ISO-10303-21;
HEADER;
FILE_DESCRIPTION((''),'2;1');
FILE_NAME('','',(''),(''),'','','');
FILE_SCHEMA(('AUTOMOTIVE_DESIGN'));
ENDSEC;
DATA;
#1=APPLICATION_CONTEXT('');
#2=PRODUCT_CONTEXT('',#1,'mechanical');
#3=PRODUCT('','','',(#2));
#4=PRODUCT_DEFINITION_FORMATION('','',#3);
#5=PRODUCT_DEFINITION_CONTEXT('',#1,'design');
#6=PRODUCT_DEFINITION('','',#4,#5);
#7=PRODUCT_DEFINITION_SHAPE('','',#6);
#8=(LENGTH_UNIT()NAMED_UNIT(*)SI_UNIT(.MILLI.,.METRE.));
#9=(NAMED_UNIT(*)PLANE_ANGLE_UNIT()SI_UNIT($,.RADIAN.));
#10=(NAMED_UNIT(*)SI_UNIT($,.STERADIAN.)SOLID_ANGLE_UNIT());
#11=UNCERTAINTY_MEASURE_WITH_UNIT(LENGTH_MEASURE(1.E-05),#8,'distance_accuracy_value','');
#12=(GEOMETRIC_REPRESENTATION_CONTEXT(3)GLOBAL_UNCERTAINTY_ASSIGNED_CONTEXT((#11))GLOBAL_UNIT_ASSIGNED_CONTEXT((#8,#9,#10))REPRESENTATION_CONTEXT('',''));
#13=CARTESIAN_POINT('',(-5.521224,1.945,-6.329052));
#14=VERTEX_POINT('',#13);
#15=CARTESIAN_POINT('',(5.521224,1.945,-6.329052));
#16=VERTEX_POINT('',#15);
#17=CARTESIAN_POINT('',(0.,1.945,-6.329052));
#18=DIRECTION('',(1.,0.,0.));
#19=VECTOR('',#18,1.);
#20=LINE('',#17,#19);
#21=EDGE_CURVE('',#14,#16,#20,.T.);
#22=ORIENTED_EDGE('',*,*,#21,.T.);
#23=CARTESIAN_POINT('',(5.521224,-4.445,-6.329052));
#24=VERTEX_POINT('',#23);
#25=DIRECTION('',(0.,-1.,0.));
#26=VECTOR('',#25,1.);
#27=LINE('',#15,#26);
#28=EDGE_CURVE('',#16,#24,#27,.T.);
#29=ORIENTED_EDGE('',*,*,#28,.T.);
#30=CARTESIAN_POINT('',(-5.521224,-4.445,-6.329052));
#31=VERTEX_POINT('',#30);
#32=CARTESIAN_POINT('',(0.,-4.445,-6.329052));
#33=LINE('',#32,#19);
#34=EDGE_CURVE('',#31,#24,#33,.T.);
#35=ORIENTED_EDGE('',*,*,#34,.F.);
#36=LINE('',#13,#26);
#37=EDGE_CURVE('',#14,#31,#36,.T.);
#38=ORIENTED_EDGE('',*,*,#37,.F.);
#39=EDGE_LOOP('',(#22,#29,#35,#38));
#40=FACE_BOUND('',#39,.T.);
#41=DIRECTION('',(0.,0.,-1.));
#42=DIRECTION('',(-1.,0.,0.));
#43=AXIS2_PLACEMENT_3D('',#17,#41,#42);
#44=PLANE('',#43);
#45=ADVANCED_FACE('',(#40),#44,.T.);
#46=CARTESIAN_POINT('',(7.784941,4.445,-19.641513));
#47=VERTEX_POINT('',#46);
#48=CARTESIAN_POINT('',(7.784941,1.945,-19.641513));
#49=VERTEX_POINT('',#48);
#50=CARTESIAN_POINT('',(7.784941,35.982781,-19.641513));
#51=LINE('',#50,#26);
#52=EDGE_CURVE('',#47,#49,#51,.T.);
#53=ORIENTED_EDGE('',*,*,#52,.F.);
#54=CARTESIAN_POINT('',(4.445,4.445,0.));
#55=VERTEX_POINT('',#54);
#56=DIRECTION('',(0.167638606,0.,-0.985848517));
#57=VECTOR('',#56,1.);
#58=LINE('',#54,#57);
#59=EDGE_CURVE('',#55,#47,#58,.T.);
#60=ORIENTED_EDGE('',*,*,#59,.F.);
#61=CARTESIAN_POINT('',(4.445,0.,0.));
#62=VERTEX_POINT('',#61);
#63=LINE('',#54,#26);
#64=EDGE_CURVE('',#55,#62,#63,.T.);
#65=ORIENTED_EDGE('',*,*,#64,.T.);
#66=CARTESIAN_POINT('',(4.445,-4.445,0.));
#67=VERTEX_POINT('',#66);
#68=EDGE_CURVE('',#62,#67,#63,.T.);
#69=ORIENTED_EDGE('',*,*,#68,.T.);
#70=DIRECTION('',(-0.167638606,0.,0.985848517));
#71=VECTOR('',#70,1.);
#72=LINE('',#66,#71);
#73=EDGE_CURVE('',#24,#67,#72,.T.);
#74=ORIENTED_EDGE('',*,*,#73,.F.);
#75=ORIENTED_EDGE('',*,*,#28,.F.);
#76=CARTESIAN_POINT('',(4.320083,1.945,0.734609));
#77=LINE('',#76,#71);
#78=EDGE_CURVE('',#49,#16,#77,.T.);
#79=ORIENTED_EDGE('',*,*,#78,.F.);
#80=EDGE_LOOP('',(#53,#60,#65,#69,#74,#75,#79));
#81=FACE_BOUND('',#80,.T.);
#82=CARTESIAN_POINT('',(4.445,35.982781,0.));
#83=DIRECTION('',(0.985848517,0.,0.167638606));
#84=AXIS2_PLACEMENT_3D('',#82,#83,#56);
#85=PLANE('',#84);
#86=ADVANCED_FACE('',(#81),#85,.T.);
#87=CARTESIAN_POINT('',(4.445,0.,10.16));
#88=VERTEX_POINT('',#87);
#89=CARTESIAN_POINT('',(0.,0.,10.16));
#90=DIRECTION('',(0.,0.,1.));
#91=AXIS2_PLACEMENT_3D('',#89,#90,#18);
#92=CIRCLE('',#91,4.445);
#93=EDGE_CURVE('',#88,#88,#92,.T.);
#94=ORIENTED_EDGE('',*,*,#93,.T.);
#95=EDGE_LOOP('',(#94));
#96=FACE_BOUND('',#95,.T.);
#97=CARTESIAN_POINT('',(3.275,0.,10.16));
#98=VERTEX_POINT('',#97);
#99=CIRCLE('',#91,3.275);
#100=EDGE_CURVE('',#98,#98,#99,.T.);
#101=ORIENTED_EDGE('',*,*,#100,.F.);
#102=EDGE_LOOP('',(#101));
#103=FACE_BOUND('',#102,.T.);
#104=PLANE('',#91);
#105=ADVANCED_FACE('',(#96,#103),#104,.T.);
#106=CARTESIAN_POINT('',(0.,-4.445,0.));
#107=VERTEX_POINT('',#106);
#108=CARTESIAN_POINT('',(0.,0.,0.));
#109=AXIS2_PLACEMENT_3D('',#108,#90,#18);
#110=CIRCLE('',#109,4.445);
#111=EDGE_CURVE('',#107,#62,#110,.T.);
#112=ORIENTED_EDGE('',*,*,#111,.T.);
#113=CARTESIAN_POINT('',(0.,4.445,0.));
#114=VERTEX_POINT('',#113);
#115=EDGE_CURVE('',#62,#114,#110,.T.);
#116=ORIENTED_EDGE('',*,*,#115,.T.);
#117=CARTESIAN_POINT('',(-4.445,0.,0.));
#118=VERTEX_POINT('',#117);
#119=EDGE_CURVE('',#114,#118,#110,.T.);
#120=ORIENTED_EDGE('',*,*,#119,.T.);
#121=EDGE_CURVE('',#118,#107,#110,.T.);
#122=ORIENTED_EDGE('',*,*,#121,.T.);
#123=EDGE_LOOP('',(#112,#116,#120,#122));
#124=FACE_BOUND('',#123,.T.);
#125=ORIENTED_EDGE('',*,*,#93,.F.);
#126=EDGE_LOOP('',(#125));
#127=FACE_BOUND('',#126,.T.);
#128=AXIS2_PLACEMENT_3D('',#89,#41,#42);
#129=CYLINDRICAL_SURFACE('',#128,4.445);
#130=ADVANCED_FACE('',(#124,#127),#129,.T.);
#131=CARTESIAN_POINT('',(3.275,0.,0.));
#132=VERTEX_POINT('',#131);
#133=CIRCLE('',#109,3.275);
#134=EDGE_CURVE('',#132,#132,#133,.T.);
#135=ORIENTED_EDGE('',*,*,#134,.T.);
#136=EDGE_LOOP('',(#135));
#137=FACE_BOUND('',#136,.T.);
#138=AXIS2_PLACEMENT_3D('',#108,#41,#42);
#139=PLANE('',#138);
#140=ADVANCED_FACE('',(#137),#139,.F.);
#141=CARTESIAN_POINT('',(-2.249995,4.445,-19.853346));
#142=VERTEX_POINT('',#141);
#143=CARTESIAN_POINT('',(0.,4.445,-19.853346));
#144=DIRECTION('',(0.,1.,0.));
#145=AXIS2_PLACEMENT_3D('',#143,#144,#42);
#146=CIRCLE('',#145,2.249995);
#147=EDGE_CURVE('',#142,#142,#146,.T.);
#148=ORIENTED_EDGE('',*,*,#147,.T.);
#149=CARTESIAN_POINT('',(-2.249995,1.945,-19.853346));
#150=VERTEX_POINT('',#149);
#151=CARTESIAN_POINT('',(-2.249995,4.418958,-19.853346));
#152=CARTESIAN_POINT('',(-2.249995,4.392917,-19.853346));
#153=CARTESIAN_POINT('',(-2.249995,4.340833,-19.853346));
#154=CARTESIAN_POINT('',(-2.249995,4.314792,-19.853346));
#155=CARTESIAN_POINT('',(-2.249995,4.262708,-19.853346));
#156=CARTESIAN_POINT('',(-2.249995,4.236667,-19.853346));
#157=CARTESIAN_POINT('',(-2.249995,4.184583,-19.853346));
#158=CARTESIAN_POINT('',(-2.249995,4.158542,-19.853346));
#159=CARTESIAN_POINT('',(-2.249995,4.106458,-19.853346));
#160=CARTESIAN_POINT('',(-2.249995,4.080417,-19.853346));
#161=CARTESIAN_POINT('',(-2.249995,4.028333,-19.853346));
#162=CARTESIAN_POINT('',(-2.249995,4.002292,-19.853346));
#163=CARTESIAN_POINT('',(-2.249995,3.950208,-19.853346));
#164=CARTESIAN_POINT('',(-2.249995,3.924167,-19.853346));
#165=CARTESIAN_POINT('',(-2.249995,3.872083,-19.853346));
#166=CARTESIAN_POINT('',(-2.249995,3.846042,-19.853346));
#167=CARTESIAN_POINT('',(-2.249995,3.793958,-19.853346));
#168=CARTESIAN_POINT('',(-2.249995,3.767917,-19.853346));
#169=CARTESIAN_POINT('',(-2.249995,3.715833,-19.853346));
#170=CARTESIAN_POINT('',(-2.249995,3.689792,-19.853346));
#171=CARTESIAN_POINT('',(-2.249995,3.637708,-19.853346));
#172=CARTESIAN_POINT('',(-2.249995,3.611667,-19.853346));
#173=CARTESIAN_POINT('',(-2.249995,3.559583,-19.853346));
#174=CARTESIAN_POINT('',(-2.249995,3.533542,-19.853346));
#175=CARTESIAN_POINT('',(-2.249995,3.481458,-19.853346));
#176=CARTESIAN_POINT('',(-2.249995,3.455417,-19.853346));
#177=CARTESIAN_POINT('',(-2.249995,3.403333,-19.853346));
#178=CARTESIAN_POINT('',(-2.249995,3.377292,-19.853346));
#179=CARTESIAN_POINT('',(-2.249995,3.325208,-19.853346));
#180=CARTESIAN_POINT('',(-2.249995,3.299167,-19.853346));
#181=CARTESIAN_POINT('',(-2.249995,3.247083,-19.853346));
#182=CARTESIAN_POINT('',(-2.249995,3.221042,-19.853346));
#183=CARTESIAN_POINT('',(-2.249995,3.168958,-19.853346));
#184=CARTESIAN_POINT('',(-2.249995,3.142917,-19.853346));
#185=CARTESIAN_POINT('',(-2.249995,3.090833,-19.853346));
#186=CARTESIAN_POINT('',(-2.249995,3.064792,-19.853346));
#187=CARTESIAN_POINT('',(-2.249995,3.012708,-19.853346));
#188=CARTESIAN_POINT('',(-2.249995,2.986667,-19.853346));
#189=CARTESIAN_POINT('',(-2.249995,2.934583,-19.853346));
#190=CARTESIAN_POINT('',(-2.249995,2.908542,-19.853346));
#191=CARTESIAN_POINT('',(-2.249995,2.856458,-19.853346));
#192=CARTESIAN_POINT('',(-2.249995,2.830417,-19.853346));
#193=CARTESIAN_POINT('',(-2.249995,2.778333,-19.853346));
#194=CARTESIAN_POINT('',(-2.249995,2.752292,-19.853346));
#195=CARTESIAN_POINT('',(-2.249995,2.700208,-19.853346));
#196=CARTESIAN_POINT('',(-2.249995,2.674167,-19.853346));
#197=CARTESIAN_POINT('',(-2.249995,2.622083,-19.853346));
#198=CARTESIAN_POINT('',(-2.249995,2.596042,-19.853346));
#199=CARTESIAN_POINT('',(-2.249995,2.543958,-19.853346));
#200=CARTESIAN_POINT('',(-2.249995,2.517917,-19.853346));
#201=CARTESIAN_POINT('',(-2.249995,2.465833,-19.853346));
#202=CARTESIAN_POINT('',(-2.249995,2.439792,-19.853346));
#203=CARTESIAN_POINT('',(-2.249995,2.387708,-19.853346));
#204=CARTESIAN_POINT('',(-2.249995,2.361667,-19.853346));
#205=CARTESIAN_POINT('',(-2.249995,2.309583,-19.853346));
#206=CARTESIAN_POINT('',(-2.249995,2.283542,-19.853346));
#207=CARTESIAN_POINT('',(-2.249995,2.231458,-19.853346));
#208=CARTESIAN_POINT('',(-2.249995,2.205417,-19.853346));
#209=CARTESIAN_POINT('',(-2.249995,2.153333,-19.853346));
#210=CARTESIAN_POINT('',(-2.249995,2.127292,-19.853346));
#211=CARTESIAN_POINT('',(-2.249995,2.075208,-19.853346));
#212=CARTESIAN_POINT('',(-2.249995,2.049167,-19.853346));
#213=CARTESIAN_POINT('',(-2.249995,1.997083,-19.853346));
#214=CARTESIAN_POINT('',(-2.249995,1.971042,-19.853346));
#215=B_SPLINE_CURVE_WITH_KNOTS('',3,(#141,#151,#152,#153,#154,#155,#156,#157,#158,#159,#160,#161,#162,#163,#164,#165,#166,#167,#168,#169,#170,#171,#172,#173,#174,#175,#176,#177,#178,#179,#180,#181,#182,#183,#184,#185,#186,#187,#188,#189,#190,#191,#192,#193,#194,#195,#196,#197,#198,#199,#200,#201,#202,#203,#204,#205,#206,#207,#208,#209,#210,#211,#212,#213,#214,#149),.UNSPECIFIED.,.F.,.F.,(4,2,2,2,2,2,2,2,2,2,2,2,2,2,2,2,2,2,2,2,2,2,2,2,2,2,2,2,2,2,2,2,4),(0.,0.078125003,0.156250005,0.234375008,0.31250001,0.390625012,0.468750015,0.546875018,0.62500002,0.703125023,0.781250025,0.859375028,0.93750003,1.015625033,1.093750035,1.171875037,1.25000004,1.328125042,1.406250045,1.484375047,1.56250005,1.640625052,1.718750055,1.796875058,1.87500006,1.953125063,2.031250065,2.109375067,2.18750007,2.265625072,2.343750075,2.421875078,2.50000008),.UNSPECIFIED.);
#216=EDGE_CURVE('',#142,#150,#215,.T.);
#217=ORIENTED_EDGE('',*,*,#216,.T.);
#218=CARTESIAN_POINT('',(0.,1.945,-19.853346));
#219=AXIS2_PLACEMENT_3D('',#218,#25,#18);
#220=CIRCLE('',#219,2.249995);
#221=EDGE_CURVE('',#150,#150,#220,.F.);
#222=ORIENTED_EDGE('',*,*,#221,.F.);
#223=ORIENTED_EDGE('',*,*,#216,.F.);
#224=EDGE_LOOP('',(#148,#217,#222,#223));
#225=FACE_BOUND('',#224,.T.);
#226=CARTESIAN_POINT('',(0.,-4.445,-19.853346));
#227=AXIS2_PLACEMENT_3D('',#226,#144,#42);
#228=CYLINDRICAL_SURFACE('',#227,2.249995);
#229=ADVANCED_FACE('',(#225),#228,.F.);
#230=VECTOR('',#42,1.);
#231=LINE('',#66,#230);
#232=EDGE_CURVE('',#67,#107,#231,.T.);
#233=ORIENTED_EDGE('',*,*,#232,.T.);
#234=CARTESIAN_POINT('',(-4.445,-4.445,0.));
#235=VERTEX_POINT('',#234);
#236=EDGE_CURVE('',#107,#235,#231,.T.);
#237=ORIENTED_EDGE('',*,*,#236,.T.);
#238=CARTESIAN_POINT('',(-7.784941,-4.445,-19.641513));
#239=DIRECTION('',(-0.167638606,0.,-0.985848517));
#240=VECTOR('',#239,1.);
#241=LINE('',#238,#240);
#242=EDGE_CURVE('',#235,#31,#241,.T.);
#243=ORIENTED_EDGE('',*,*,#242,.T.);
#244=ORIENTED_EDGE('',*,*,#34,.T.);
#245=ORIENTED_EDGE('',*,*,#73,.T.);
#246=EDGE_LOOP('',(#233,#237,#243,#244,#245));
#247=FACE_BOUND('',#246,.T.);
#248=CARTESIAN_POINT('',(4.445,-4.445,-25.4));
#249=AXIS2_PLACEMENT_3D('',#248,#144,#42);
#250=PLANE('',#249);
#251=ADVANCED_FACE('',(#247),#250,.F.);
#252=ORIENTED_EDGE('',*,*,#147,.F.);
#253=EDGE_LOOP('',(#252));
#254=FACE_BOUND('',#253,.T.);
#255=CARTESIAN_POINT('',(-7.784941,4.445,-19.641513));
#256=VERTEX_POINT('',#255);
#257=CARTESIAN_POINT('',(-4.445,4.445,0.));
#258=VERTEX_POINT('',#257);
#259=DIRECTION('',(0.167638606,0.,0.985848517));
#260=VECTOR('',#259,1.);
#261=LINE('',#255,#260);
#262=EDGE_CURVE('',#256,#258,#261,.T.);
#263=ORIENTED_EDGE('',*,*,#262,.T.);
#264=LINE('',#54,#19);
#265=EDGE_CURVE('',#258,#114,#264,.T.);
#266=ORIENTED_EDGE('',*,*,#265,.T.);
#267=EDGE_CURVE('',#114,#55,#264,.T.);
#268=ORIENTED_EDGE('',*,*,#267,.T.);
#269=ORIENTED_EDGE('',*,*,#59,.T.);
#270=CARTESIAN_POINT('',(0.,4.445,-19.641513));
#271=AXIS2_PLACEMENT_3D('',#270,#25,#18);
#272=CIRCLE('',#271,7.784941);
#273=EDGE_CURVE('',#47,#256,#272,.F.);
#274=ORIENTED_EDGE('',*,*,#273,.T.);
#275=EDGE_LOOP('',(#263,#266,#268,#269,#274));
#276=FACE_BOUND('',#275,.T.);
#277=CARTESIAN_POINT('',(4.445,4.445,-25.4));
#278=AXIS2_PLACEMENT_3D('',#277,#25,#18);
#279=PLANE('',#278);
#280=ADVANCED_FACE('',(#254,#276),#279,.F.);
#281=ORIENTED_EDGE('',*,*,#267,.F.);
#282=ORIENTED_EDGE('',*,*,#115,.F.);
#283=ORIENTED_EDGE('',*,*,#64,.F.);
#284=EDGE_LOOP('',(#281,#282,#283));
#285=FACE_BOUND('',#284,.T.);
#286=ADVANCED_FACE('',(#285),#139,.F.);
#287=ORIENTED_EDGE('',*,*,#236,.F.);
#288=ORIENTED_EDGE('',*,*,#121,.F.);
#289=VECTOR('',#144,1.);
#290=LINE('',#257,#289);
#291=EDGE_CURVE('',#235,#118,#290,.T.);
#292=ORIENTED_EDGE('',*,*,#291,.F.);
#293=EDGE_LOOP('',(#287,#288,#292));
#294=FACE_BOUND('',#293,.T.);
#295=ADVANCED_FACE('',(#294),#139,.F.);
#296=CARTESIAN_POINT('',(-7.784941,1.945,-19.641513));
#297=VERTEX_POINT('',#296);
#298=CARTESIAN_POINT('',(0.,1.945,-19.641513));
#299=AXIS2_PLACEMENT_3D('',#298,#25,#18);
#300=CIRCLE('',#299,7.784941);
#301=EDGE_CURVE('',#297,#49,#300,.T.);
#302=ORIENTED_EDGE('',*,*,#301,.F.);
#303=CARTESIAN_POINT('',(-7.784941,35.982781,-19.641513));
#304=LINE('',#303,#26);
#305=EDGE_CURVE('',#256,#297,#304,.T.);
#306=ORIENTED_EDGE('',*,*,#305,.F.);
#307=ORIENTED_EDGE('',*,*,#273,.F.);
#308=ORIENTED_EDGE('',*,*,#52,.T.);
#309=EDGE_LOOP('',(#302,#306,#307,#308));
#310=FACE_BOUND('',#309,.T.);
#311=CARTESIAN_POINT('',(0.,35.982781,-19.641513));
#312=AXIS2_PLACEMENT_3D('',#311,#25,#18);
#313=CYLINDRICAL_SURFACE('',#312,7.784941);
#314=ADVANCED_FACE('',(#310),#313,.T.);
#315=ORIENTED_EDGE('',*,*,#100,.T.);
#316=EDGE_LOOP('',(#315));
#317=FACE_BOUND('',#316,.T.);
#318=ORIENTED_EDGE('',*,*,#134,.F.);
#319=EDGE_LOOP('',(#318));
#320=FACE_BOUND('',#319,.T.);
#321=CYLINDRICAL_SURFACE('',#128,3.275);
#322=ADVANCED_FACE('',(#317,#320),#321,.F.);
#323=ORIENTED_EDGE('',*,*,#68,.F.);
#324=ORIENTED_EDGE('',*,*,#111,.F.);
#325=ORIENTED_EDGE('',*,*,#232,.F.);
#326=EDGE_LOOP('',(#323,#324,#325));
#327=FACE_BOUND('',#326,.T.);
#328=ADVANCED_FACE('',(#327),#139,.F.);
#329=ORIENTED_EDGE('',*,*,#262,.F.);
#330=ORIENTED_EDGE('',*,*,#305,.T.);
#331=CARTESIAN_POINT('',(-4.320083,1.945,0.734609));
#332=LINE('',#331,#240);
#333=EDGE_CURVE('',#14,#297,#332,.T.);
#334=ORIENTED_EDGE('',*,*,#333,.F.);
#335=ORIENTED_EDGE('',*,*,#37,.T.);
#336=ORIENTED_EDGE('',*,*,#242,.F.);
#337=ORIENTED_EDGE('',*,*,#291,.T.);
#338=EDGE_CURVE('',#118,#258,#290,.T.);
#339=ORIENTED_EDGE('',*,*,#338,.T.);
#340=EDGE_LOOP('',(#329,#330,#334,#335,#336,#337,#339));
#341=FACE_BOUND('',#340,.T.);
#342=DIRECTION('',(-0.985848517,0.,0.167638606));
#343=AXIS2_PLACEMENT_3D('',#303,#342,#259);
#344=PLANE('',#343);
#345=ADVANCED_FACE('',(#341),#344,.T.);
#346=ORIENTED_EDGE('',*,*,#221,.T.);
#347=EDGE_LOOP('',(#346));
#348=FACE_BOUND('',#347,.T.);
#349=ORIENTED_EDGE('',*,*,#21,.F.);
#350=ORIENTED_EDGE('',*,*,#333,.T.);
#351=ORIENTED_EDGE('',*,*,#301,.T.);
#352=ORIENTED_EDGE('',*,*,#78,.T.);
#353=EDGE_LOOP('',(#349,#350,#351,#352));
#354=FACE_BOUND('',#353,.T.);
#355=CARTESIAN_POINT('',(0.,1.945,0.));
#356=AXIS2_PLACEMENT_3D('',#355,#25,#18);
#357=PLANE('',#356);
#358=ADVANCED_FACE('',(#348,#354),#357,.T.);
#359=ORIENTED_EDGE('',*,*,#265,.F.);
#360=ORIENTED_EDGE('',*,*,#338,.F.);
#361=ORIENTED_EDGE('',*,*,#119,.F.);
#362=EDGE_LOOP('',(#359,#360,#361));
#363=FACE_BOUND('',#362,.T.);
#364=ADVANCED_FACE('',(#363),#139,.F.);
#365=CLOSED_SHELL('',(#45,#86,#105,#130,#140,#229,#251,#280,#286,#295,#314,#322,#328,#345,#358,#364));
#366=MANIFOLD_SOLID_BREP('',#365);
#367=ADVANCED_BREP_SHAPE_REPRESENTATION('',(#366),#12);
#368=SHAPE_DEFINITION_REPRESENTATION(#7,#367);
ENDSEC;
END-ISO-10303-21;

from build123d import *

# Parameters (mm, degrees)
SKETCH1_R           = 4.445
SKETCH1_R_2         = 3.275000003
BOSS_EXTRUDE1_DEPTH = 10.16
SKETCH2_W           = 8.89
SKETCH2_H           = 8.89
BOSS_EXTRUDE2_DEPTH = 25.4
BOSS_EXTRUDE3_REACH = 29.275
SKETCH9_R           = 2.2499955
CUT_EXTRUDE1_DEPTH  = 30.863820986
SKETCH11_R          = 2.2499955
CUT_EXTRUDE4_DEPTH  = 6.38999992


with BuildPart() as part:
    # Sketch1 → Boss-Extrude1 (new body)
    with BuildSketch(Plane.XY):
        Circle(SKETCH1_R)
        Circle(SKETCH1_R_2, mode=Mode.SUBTRACT)
    extrude(amount=BOSS_EXTRUDE1_DEPTH)

    # Sketch2 → Boss-Extrude2 (add)
    with BuildSketch(Plane(origin=(0, 0, 0), x_dir=(-1, 0, 0), z_dir=(0, 0, -1))):
        Rectangle(SKETCH2_W, SKETCH2_H)
    extrude(amount=BOSS_EXTRUDE2_DEPTH)

    # Boss-Extrude3: up to this face of the body (flat: up to its plane)
    boss_extrude3_end = Plane(part.part.faces().sort_by_distance((0, 4.445, -12.7))[0])
    # Sketch8 → Boss-Extrude3 (add, up to the picked face)
    with BuildSketch(Plane(origin=(0, -4.445, 0), x_dir=(-1, 0, 0), z_dir=(0, -1, 0)), mode=Mode.PRIVATE) as boss_extrude3_sk1:
        with BuildLine():
            Line((7.784941034, 19.641513294), (4.445, 0))
            Line((4.445, 0), (-4.445, 0))
            Line((-4.445, 0), (-7.784941034, 19.641513294))
            ThreePointArc((-7.784941034, 19.641513294), (0, 27.426454328), (7.784941034, 19.641513294))
        make_face()
    boss_extrude3_tool1 = split(extrude(boss_extrude3_sk1.sketch, amount=-BOSS_EXTRUDE3_REACH, mode=Mode.PRIVATE), bisect_by=boss_extrude3_end, keep=Keep.BOTH, mode=Mode.PRIVATE)
    add(boss_extrude3_tool1.solids().sort_by(Axis((0, -4.445, -14.186159), (0, 1, 0)))[0])

    # Sketch9 → Cut-Extrude1 (cut, through all)
    with BuildSketch(Plane(origin=(0, 4.445, 0), x_dir=(1, 0, 0), z_dir=(0, 1, 0))):
        with Locations(Location((0, 19.853346126, 0), (0, 0, 180))):
            Circle(SKETCH9_R)
    extrude(amount=-CUT_EXTRUDE1_DEPTH, mode=Mode.SUBTRACT)

    # Sketch11 → Cut-Extrude4 (cut)
    with BuildSketch(Plane.XZ.offset(4.445)):
        with BuildLine():
            Line((5.521223684, -6.329052393), (-5.521223684, -6.329052393))
            Line((-5.521223684, -6.329052393), (-7.784941034, -19.641513294))
            ThreePointArc((-7.784941034, -19.641513294), (0, -27.426454328), (7.784941034, -19.641513294))
            Line((7.784941034, -19.641513294), (5.521223684, -6.329052393))
        make_face()
        with Locations(Location((0, -19.853346126, 0), (0, 0, 180))):
            Circle(SKETCH11_R, mode=Mode.SUBTRACT)
    extrude(amount=-CUT_EXTRUDE4_DEPTH, mode=Mode.SUBTRACT)


solid = part.part
